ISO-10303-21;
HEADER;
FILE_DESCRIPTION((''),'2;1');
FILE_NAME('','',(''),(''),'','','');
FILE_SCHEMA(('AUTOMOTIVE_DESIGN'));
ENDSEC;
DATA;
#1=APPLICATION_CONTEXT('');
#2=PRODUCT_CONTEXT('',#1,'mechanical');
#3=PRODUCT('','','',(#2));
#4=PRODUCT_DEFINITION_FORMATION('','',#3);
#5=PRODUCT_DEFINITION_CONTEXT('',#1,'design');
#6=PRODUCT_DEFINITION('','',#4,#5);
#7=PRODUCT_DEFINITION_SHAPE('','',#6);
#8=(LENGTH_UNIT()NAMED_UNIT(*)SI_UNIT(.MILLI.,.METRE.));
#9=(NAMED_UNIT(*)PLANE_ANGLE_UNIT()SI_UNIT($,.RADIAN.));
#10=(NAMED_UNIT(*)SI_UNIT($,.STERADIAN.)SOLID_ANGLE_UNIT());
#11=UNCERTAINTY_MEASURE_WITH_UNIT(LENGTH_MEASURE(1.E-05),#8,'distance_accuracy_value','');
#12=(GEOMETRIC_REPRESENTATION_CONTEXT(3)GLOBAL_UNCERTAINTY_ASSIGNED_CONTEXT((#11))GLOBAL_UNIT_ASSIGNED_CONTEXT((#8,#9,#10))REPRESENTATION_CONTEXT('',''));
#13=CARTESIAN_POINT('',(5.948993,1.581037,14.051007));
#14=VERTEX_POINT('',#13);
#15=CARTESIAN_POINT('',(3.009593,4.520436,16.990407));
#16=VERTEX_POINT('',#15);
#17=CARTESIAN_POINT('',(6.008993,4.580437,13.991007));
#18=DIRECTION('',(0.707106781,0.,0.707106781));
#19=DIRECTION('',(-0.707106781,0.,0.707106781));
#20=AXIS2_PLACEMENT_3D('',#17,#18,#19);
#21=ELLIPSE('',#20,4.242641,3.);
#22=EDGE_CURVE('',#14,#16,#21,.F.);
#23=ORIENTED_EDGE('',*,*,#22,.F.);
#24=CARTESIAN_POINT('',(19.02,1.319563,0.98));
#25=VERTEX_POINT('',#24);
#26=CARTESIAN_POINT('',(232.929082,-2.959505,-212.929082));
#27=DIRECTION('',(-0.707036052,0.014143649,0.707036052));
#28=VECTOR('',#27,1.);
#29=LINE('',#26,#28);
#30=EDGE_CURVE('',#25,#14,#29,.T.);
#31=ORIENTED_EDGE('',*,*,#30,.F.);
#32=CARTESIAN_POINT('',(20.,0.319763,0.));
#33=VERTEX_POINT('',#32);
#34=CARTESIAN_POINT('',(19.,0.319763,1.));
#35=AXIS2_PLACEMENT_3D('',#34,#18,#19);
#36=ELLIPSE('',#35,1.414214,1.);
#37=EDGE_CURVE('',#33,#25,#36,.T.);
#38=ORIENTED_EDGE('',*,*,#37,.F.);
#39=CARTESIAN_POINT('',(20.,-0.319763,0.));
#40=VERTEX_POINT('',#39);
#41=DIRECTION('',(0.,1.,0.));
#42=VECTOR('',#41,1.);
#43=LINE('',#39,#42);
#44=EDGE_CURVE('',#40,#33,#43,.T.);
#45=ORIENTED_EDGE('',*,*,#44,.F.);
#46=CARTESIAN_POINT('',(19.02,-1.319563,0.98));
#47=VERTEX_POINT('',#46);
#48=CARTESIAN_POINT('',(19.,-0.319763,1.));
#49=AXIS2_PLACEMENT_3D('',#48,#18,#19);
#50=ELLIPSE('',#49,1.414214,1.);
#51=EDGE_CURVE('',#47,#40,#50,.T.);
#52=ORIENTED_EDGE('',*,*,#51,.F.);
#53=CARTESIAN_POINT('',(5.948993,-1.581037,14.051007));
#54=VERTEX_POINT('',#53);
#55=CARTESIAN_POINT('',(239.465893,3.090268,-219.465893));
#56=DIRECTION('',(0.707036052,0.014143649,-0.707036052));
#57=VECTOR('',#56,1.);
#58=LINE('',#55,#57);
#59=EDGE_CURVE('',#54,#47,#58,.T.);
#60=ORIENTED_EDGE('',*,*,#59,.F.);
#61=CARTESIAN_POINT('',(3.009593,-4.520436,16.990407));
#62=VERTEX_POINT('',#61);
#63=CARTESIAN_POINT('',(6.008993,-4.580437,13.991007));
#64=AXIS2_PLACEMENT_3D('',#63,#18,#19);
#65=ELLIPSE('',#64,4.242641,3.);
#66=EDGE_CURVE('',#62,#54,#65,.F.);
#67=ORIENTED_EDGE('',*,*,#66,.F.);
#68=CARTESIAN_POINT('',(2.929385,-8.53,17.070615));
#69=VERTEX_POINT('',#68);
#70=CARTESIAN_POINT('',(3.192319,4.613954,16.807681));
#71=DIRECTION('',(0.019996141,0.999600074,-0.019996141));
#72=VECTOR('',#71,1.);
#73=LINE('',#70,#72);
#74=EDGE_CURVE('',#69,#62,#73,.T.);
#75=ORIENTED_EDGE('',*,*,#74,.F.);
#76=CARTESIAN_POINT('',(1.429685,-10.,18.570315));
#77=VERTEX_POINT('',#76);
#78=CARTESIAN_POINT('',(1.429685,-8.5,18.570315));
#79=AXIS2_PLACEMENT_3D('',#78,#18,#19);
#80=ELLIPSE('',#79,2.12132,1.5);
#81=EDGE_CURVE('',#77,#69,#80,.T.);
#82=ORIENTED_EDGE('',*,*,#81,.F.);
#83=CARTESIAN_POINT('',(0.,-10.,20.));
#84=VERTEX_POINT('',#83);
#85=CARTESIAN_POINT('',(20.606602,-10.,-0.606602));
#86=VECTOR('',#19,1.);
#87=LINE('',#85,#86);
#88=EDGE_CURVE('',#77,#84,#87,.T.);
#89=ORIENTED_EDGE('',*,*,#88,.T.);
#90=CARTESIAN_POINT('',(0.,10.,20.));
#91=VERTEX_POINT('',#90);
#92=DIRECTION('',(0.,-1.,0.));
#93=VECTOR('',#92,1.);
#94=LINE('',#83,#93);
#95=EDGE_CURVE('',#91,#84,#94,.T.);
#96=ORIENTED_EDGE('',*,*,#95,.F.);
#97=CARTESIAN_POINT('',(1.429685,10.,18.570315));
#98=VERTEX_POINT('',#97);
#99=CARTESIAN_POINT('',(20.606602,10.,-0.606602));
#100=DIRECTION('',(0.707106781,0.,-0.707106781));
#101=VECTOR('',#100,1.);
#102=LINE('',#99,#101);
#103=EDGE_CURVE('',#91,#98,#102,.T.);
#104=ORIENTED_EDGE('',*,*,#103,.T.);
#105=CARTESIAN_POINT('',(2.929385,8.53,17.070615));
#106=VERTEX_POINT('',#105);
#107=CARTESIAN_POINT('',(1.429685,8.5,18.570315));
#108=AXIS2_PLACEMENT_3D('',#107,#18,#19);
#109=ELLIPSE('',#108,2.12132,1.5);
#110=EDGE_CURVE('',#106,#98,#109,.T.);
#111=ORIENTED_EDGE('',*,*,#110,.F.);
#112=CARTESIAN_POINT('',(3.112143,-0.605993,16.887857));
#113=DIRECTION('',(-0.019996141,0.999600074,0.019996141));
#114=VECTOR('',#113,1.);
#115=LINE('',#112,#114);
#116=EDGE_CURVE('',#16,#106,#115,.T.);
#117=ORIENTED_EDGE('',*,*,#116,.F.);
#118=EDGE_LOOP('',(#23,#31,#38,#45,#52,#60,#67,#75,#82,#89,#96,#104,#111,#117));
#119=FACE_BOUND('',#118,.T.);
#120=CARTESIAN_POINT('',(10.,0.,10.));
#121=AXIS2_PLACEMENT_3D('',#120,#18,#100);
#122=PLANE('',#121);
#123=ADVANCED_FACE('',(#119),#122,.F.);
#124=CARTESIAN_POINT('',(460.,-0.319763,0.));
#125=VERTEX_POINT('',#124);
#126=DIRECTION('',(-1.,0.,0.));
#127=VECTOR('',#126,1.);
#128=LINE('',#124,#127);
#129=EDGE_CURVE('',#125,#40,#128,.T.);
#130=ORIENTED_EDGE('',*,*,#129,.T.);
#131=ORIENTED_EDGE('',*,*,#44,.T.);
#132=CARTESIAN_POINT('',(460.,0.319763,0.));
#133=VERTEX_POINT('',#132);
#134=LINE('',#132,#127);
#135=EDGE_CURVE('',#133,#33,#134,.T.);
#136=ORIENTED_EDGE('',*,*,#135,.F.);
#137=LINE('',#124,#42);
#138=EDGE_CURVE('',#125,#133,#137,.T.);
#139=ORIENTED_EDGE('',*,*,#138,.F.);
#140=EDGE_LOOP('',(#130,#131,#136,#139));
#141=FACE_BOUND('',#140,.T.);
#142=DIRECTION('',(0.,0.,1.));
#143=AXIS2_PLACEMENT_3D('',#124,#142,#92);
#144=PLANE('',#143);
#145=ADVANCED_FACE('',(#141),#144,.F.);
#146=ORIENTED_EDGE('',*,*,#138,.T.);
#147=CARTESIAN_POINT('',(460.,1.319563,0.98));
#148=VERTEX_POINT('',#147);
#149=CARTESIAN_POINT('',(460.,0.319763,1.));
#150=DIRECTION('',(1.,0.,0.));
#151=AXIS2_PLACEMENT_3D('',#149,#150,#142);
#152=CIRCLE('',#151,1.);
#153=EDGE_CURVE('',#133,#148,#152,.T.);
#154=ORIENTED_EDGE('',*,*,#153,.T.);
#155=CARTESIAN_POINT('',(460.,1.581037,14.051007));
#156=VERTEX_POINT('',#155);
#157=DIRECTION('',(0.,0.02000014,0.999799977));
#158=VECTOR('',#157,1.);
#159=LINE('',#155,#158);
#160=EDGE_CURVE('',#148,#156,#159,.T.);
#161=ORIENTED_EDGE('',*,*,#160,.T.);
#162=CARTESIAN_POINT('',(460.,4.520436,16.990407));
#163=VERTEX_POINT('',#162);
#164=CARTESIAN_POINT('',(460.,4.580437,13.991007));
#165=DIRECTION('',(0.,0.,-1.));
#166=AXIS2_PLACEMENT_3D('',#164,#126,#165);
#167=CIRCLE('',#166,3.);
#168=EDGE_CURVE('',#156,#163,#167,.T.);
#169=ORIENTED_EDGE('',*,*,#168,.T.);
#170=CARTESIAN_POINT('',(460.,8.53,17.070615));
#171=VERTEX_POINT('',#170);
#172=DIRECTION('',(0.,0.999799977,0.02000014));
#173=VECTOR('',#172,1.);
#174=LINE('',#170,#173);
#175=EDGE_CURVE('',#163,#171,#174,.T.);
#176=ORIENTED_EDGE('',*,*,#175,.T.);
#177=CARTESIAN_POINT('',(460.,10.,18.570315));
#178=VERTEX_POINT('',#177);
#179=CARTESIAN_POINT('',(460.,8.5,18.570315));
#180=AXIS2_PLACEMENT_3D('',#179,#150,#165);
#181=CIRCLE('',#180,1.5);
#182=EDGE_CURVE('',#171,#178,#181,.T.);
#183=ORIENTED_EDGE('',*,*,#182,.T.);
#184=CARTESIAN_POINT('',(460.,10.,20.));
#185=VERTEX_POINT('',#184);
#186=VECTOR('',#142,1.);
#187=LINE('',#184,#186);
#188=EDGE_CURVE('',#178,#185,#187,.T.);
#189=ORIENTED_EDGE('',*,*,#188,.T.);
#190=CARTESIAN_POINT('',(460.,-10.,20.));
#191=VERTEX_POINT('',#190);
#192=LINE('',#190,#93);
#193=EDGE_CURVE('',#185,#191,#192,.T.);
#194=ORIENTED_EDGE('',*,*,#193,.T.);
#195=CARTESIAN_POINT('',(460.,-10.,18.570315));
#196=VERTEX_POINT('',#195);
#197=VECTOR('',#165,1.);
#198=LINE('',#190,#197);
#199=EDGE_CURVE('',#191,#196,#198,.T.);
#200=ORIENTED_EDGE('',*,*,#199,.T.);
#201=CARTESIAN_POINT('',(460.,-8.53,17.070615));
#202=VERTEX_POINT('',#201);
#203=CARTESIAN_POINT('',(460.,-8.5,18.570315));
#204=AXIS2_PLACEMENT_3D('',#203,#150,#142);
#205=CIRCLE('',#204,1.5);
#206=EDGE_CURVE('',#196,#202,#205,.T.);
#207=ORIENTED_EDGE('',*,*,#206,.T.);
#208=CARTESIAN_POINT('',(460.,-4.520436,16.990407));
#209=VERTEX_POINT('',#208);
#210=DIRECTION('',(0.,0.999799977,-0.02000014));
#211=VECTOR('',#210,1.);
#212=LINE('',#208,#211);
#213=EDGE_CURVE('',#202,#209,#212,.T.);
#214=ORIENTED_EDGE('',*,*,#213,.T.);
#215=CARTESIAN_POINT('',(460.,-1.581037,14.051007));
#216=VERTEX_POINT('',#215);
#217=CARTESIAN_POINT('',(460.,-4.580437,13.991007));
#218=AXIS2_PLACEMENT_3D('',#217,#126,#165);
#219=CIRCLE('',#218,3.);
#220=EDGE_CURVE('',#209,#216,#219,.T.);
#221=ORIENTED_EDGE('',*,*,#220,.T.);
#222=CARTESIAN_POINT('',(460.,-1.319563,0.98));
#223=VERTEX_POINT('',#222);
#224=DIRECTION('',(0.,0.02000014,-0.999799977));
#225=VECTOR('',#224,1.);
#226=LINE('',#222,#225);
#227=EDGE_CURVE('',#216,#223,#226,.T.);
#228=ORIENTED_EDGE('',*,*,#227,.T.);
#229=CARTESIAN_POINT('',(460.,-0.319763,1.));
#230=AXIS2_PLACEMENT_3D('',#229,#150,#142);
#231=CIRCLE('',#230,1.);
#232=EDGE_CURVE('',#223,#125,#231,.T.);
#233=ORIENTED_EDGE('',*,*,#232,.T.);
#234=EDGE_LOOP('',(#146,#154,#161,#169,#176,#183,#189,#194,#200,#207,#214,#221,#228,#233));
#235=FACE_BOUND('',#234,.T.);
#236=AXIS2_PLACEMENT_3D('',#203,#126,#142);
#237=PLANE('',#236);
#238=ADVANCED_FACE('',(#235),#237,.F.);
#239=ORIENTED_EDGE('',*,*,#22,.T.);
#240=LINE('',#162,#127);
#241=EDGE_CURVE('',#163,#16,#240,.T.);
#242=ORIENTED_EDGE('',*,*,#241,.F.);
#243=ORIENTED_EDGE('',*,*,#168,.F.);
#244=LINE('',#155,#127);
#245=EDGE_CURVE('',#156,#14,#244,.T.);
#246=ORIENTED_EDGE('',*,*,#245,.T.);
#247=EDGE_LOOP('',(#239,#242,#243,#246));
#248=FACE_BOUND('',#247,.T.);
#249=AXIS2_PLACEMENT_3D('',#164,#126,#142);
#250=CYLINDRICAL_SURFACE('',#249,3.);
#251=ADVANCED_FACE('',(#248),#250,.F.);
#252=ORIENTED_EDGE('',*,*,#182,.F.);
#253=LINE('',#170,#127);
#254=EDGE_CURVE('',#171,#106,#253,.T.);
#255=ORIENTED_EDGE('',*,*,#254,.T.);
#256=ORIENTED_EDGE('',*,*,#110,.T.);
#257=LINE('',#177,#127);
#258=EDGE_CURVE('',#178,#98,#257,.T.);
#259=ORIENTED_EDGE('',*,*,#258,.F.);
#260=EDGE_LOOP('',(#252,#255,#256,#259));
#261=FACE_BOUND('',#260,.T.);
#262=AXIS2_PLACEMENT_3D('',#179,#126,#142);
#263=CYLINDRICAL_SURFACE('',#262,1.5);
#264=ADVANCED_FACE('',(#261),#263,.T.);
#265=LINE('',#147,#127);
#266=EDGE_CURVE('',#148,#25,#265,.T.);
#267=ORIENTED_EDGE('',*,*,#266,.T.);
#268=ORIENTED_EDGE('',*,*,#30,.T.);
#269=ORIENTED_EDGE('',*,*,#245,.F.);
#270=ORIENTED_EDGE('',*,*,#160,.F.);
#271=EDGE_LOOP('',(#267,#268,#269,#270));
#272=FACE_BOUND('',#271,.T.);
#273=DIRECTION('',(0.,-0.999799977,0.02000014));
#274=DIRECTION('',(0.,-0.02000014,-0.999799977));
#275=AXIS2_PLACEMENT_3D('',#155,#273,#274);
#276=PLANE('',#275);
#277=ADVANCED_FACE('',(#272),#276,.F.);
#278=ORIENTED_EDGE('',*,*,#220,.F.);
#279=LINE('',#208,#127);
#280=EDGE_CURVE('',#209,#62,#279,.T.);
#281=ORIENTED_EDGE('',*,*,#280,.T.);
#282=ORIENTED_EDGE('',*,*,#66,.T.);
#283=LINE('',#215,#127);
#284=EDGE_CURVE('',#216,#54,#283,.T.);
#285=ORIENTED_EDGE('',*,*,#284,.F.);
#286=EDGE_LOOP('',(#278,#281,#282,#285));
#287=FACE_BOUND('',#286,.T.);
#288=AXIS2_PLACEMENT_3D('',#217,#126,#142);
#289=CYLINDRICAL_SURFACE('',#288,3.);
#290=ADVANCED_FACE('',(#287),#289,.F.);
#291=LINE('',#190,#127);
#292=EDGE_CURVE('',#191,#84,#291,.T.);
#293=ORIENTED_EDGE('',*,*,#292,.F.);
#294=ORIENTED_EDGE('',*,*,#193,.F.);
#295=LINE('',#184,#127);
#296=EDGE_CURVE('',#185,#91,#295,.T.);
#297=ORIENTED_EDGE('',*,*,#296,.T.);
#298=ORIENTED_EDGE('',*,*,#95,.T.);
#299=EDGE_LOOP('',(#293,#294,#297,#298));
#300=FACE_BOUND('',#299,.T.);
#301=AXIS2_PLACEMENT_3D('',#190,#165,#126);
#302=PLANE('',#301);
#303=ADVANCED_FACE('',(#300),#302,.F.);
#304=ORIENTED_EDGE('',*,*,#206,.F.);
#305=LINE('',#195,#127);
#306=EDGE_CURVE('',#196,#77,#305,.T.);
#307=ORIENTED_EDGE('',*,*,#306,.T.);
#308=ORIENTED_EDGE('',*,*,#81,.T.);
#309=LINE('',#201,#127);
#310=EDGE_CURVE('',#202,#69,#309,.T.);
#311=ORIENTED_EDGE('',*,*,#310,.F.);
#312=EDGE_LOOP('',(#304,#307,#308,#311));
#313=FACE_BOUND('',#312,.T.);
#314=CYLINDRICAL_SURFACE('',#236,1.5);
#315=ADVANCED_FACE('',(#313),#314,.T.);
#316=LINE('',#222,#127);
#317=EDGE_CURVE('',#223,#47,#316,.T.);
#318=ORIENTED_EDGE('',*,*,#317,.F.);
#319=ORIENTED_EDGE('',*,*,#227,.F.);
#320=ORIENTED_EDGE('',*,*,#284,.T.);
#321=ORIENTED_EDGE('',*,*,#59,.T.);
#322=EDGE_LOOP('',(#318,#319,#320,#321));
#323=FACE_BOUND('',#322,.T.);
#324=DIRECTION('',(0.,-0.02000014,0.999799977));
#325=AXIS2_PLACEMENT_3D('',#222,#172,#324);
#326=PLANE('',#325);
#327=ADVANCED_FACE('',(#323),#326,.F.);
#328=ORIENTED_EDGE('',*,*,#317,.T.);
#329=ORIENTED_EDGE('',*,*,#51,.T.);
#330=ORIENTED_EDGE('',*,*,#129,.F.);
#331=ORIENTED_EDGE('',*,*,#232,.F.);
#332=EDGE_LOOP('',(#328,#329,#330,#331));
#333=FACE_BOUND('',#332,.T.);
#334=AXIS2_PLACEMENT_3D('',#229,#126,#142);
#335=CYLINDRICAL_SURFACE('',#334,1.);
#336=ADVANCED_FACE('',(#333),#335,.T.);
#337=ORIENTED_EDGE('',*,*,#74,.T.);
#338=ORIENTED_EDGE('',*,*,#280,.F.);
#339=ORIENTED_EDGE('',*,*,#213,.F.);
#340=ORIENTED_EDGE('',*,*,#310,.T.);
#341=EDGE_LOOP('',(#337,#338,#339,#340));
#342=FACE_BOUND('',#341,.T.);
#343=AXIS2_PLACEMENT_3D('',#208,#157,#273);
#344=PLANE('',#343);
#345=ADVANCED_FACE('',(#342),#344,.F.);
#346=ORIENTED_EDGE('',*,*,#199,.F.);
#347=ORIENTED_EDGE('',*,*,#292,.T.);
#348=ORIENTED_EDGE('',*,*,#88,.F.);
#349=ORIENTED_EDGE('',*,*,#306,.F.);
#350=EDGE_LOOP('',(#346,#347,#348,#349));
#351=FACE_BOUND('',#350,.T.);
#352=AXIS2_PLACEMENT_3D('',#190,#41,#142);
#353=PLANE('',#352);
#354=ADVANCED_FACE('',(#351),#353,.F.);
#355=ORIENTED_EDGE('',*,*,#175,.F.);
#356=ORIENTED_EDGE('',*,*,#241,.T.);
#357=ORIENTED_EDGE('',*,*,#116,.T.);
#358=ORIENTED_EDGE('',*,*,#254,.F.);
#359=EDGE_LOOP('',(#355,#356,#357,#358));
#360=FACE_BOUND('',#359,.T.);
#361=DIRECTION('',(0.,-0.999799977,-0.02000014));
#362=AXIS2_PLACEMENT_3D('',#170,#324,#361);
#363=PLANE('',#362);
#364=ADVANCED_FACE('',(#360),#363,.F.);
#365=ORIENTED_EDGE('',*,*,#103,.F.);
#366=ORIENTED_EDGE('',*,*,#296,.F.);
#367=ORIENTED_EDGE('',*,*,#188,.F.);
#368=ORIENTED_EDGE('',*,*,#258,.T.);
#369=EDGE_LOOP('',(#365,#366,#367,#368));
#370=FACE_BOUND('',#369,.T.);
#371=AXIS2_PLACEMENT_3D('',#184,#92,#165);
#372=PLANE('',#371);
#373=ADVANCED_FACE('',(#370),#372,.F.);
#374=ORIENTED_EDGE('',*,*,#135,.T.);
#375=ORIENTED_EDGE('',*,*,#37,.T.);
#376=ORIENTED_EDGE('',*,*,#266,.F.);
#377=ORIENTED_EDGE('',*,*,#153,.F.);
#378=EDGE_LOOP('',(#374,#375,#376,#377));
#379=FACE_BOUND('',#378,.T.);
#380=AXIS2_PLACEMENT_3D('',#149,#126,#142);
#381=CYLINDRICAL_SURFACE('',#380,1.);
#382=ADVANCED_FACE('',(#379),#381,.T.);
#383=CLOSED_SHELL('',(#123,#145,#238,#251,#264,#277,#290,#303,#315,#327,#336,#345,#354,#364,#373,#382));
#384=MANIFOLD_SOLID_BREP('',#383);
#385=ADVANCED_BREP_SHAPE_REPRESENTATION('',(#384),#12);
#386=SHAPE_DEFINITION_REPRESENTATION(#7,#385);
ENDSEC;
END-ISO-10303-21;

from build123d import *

# Parameters (mm, degrees)
T_SECTION_T_20_X_20_1_DEPTH = 460
SKETCH13_W                  = 20
SKETCH13_H                  = 30
CUT_EXTRUDE1_DEPTH          = 451.22216738


with BuildPart() as part:
    # Sketch12 → T section T 20 X 20(1) (new body)
    with BuildSketch(Plane.YZ):
        with BuildLine():
            Line((-10, 20), (10, 20))
            Line((10, 20), (10, 18.570314587))
            ThreePointArc((10, 18.570314587), (9.571214338, 17.520314662), (8.530000209, 17.070614622))
            Line((8.530000209, 17.070614622), (4.520436432, 16.990406743))
            ThreePointArc((4.520436432, 16.990406743), (2.459116507, 16.112327155), (1.581036919, 14.05100723))
            Line((1.581036919, 14.05100723), (1.319562646, 0.97999986))
            ThreePointArc((1.319562646, 0.97999986), (1.019762619, 0.285857108), (0.319762669, 0))
            Line((0.319762669, 0), (-0.319762669, 0))
            ThreePointArc((-0.319762669, 0), (-1.019762619, 0.285857108), (-1.319562646, 0.97999986))
            Line((-1.319562646, 0.97999986), (-1.581036919, 14.05100723))
            ThreePointArc((-1.581036919, 14.05100723), (-2.459116507, 16.112327155), (-4.520436432, 16.990406743))
            Line((-4.520436432, 16.990406743), (-8.530000209, 17.070614622))
            ThreePointArc((-8.530000209, 17.070614622), (-9.571214338, 17.520314662), (-10, 18.570314587))
            Line((-10, 18.570314587), (-10, 20))
        make_face()
    extrude(amount=T_SECTION_T_20_X_20_1_DEPTH)

    # Sketch13 → Cut-Extrude1 (cut, through all)
    with BuildSketch(Plane(origin=(10, 0, 10), x_dir=(0, -1, 0), z_dir=(-0.7071067811865464, 0, -0.7071067811865488))):
        Rectangle(SKETCH13_W, SKETCH13_H)
    extrude(amount=CUT_EXTRUDE1_DEPTH, mode=Mode.SUBTRACT)


solid = part.part
